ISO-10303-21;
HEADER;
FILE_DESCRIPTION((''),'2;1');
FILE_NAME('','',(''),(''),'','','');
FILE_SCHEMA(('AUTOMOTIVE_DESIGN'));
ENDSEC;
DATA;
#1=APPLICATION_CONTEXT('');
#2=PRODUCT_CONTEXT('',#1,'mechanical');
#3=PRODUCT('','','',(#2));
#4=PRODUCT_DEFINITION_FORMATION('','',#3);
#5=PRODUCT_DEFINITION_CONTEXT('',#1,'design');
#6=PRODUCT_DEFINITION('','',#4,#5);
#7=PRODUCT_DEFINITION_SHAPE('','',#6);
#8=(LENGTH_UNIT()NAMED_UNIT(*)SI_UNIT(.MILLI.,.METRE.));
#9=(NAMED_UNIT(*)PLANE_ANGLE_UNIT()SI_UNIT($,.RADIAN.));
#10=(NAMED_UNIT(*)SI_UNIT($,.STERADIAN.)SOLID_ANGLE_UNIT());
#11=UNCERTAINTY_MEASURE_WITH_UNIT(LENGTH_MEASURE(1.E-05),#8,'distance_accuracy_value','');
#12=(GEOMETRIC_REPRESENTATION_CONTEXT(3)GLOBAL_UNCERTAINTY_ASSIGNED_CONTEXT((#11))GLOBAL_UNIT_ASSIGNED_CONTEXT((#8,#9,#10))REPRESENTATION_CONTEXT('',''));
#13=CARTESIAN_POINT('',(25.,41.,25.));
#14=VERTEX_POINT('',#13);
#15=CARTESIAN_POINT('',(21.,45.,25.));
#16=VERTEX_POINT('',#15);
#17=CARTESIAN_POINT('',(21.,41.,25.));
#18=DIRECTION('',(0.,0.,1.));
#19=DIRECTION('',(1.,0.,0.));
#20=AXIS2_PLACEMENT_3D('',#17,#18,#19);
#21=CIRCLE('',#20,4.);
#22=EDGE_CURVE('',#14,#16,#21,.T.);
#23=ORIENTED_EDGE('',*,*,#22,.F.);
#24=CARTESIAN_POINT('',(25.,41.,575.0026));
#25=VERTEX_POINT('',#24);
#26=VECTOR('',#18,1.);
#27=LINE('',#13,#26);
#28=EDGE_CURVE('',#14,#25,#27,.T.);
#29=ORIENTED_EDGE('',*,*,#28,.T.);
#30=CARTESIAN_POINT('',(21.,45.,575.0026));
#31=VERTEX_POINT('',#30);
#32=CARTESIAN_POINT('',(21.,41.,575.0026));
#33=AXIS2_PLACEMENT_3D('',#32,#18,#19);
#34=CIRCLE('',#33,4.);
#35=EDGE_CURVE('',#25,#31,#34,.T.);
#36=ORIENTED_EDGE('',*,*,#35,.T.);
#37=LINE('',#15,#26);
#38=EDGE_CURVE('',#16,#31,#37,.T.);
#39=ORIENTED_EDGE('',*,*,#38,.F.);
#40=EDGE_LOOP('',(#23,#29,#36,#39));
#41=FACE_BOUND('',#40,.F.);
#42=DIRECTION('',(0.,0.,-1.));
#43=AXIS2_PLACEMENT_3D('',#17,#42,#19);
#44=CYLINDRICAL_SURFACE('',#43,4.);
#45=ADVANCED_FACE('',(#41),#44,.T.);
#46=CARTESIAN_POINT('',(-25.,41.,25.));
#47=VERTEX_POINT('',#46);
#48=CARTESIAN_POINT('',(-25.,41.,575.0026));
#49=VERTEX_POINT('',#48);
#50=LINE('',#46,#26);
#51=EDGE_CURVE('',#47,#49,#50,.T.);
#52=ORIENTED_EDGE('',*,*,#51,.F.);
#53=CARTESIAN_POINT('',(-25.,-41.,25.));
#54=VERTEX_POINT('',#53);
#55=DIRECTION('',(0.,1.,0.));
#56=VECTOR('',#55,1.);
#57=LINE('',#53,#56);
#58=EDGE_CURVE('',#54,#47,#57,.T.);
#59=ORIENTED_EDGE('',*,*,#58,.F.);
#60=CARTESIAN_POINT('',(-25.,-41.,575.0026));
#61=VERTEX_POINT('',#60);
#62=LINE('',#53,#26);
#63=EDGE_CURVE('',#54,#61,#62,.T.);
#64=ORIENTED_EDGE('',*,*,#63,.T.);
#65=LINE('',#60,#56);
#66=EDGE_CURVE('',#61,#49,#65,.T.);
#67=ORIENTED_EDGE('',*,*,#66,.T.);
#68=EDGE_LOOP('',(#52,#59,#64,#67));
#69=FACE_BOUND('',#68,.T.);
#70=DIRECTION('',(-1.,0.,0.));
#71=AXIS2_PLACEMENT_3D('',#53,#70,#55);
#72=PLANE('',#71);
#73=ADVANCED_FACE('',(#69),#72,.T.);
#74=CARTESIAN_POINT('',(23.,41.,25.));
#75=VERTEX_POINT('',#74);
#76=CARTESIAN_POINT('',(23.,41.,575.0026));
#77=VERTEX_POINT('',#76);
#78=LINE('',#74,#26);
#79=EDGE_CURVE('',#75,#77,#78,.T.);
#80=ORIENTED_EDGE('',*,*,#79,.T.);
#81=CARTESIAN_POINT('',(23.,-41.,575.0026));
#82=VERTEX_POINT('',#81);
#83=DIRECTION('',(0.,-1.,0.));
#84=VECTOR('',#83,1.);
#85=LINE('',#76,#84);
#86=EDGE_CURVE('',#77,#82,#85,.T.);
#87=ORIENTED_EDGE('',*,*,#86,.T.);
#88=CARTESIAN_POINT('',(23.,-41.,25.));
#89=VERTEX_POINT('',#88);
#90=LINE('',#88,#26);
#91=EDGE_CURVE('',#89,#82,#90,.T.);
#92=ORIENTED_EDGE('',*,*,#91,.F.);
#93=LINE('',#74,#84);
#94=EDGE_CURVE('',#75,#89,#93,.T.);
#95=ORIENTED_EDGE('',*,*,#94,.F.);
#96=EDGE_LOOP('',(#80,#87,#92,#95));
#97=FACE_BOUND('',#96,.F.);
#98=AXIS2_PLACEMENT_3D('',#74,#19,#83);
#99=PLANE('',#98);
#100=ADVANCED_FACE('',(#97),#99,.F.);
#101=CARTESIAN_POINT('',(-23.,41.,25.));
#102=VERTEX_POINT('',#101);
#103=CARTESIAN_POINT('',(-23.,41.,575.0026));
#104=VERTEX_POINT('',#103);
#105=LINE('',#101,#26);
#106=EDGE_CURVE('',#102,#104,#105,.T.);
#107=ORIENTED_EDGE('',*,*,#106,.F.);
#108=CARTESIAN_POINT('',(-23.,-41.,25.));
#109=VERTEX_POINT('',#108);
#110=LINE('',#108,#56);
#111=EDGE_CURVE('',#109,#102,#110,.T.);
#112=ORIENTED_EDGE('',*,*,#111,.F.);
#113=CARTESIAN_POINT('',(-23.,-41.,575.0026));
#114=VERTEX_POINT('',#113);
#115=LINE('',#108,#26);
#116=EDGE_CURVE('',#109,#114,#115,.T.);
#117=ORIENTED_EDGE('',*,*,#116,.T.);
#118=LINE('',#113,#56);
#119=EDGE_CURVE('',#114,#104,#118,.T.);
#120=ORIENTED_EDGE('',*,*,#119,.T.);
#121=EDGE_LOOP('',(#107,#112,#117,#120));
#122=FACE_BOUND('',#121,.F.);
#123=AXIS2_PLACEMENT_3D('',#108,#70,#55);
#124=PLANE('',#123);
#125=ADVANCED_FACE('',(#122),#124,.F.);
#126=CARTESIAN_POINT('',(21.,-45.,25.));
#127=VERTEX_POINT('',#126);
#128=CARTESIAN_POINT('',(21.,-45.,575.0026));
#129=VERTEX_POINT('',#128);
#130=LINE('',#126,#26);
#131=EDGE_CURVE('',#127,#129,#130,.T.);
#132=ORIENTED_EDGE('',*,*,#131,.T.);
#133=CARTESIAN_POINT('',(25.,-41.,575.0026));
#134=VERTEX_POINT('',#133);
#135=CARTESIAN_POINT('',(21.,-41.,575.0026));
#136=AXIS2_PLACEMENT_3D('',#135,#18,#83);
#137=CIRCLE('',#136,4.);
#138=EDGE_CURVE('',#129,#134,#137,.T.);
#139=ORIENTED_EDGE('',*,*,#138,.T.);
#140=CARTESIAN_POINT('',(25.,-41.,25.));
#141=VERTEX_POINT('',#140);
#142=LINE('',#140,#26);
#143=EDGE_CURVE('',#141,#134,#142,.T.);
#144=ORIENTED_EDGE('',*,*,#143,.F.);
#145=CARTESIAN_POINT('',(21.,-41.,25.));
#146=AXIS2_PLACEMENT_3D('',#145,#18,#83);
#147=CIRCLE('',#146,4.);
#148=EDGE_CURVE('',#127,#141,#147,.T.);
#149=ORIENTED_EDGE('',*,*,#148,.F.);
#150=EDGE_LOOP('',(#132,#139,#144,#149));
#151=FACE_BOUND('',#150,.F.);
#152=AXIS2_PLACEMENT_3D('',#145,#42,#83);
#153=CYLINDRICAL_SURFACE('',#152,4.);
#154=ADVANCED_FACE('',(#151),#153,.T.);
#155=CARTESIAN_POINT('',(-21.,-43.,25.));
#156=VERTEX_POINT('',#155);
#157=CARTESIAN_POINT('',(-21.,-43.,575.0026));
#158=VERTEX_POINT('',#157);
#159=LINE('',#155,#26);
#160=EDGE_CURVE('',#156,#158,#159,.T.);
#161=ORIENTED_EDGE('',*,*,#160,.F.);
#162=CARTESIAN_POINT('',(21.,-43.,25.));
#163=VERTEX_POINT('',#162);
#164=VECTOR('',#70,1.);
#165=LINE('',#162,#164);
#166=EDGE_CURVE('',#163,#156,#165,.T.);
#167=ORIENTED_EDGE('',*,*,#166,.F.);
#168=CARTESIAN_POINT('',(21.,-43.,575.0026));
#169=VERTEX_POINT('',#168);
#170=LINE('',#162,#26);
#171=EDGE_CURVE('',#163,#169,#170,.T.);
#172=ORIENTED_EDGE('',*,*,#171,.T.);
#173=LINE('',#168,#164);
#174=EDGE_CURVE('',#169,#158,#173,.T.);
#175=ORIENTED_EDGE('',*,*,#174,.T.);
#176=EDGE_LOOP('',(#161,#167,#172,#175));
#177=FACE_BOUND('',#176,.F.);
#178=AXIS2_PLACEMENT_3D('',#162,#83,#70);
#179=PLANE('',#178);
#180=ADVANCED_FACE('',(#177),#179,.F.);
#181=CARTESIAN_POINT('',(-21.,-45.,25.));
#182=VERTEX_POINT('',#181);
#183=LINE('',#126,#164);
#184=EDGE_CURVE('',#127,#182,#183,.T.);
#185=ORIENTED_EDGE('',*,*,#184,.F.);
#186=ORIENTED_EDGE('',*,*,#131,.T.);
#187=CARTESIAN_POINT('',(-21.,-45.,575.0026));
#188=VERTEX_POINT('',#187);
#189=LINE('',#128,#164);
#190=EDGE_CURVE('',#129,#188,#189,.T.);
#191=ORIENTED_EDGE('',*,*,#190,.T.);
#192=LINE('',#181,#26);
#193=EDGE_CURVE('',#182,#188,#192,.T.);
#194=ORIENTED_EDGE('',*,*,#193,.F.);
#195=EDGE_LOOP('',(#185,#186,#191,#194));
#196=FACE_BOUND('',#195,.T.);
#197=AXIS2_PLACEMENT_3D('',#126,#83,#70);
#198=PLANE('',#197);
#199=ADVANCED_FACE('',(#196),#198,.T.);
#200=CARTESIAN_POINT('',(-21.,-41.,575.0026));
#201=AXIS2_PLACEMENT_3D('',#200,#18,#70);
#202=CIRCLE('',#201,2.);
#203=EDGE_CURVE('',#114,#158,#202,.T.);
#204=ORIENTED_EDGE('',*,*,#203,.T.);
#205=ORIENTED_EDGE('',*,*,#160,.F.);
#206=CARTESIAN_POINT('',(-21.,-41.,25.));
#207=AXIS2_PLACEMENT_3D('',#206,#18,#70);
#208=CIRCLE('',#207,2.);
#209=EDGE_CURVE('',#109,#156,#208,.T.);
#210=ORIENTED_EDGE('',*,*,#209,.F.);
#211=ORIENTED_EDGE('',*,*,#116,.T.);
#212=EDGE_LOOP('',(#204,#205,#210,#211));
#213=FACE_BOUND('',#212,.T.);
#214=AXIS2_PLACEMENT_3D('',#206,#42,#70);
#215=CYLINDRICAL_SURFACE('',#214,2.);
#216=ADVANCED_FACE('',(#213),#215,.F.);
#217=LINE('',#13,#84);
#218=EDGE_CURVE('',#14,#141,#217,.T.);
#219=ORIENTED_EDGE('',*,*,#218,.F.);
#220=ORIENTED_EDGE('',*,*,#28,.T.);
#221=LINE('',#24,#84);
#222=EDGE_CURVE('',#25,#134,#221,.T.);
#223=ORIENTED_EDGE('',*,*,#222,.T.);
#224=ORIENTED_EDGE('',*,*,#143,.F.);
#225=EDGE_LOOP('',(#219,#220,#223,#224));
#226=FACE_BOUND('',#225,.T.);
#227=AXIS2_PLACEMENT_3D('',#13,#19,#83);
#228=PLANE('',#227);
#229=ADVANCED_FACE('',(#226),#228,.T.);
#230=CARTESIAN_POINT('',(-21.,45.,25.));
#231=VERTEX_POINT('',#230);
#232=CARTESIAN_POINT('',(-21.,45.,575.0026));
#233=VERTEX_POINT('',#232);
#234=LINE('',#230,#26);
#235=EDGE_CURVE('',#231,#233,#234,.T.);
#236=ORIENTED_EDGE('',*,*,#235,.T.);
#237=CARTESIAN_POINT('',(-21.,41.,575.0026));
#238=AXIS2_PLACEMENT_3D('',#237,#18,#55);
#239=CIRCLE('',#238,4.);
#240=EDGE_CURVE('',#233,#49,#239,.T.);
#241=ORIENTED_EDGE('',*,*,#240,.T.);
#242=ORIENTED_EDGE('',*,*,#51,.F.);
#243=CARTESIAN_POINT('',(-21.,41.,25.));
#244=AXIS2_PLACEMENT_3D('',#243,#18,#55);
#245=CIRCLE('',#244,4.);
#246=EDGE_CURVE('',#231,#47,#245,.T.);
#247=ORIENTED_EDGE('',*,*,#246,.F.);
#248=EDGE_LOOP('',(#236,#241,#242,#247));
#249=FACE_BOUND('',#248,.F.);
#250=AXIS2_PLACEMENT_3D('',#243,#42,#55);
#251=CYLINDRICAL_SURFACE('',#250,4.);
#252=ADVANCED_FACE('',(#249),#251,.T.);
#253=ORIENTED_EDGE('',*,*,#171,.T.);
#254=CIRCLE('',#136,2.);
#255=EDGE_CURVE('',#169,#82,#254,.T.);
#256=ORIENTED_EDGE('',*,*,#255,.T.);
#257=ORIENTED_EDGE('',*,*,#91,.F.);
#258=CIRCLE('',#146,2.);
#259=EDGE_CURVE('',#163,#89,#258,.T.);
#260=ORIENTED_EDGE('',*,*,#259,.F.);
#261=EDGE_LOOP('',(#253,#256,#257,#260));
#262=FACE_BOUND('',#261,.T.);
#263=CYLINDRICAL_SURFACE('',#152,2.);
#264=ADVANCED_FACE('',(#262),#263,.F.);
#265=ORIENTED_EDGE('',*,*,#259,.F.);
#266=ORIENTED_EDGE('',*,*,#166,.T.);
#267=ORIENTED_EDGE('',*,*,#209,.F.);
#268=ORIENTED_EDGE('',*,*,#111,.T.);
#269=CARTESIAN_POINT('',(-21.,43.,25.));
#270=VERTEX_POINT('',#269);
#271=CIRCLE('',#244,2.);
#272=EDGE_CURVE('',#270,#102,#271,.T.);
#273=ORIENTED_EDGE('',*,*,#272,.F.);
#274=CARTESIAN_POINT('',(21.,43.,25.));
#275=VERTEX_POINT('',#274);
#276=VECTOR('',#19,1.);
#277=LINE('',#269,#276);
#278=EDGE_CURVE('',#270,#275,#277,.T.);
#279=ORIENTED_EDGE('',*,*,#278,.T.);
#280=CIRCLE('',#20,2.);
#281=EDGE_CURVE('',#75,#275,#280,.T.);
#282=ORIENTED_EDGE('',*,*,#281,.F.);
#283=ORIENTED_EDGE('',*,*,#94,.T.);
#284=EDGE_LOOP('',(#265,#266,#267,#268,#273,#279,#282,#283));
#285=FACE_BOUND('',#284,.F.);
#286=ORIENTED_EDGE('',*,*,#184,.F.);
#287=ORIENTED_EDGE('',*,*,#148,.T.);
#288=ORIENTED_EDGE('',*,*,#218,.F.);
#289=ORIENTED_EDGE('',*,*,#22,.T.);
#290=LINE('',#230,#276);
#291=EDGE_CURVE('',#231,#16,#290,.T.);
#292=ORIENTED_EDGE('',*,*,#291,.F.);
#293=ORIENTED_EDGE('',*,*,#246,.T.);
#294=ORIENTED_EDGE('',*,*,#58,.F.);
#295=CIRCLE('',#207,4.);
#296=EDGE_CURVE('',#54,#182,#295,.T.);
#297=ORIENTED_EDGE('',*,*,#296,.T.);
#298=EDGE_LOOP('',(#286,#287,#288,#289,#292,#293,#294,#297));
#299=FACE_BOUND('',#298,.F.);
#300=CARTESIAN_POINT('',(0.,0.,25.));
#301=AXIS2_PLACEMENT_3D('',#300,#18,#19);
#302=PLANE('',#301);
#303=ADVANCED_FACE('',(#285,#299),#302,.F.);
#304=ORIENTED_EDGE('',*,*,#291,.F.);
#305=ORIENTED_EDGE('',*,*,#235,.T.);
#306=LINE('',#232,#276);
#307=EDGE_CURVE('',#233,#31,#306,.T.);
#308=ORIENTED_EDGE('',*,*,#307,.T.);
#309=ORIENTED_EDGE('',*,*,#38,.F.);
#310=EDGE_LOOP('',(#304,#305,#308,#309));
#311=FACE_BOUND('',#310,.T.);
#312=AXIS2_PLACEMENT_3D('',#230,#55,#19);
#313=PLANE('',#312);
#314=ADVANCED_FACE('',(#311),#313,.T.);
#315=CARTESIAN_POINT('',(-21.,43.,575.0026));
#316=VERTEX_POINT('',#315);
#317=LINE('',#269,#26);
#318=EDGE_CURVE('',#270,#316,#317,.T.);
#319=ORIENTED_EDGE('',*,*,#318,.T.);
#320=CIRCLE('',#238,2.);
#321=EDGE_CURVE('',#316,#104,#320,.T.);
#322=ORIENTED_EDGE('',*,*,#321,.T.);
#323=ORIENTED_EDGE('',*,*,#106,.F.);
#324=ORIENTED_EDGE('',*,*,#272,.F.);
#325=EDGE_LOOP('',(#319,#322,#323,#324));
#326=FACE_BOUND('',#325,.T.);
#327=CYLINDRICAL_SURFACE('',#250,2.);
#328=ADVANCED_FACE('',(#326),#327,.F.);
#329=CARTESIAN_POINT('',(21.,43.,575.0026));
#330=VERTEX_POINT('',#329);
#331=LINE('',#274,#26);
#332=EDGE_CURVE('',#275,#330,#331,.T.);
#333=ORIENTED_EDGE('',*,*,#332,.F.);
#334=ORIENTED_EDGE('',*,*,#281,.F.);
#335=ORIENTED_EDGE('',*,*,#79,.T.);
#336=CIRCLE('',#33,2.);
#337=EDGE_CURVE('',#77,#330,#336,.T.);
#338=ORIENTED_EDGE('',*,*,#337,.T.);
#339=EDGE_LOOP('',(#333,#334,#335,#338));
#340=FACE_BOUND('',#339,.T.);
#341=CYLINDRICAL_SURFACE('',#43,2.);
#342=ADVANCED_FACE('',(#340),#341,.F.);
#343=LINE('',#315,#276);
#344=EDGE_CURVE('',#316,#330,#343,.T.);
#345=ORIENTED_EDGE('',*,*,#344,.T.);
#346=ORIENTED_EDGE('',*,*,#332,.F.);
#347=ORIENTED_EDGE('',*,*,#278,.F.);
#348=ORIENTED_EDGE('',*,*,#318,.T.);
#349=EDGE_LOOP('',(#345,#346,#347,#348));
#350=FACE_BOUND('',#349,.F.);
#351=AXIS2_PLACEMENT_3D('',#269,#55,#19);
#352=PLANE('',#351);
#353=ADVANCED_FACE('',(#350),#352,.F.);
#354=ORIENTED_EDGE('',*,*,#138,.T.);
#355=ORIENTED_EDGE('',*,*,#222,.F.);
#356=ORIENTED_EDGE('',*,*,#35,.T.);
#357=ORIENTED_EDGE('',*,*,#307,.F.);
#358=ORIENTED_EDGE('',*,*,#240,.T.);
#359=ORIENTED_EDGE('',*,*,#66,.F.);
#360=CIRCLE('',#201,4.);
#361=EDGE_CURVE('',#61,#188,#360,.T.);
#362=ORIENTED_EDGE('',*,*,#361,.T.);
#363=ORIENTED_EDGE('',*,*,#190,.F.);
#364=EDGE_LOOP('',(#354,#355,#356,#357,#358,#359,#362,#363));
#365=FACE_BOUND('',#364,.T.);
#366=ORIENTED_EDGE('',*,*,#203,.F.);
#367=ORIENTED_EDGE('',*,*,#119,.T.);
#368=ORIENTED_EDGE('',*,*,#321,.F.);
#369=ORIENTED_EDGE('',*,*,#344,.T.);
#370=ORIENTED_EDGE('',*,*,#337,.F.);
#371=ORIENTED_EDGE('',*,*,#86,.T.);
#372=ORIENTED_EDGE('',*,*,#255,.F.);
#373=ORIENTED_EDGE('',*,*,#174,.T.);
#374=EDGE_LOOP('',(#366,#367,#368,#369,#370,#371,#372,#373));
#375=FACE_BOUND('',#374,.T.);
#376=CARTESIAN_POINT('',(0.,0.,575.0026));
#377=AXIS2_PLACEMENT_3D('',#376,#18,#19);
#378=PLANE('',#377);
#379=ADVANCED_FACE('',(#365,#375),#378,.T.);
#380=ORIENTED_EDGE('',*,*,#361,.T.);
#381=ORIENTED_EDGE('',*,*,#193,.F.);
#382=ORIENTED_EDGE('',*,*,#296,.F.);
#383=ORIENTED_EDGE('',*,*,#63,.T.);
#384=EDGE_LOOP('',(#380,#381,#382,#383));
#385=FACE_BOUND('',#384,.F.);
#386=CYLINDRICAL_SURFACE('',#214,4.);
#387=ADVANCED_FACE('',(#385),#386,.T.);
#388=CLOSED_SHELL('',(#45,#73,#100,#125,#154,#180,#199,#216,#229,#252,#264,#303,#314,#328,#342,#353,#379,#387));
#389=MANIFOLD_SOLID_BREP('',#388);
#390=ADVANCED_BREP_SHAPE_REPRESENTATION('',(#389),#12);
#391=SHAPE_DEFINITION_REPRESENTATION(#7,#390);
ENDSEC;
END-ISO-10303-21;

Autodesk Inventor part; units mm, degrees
ref_plane "Start Plane" through (0, 0, 25) normal (0, 0, 1) x (1, 0, 0)
ref_plane "End Plane" through (0, 0, 575.0026) normal (0, 0, 1) x (1, 0, 0)
sketch "Sketch" plane through (0, 0, 0) normal (0, 0, 1) x (1, 0, 0)
  line L0 (-25, -41) -> (-25, 41)
  line L1 (-21, 45) -> (21, 45)
  line L2 (25, 41) -> (25, -41)
  line L3 (21, -45) -> (-21, -45)
  arc A0 (-25, -41) -> (-21, -45) centre (-21, -41) ccw
  arc A1 (25, 41) -> (21, 45) centre (21, 41) ccw
  arc A2 (-21, 45) -> (-25, 41) centre (-21, 41) ccw
  arc A3 (21, -45) -> (25, -41) centre (21, -41) ccw
  arc A4 (-21, 43) -> (-23, 41) centre (-21, 41) ccw
  line L4 (-21, 43) -> (21, 43)
  arc A5 (23, 41) -> (21, 43) centre (21, 41) ccw
  line L5 (23, 41) -> (23, -41)
  arc A6 (21, -43) -> (23, -41) centre (21, -41) ccw
  line L6 (21, -43) -> (-21, -43)
  arc A7 (-23, -41) -> (-21, -43) centre (-21, -41) ccw
  line L7 (-23, -41) -> (-23, 41)
  line L8 (0, 64.1598) -> (0, -64.1598) construction
  line L9 (-36.1598, 0) -> (36.1598, 0) construction
  dimension "d7" = 4
  dimension "d9" = 50
  dimension "d11" = 90
  dimension "d12" = 2
  dimension "d15" = 25
  dimension "d16" = 45
extrude "Body" add sketch "Sketch" along normal up to surface (550.0026 mm away) from surface at 25
sketch "Sketch3" plane through (0, 0, 0) normal (0, 0, 1) x (1, 0, 0)
  line L0 (0, 0) -> (10, 0)
ref_plane "Work Plane3" through (0, 0, 0) normal (0, -1, 0) x (1, 0, 0)
sketch "Sketch4" plane through (0, 0, 0) normal (0, -1, 0) x (1, 0, 0)
  line L0 (-2, 25) -> (12, 25)
  line L1 (-2, 575.0026) -> (12, 575.0026)
  dimension "d18" = 550.0026
ref_plane "Work Plane4" through (-21, -1155, 575.0026) normal (0, 0, 1) x (1, 0, 0)
split "Split1" plane through (-21, -1155, 575.0026) removes the side toward (0, 0, 1)
ref_plane "Work Plane5" through (-21, 1157.5, 25) normal (0, 0, -1) x (-1, 0, 0)
split "Split2" plane through (-21, 1157.5, 25) removes the side toward (0, 0, -1)
equation "\"d7\" = G_IR"
equation "\"d9\" = G_W"
equation "\"d11\" = G_H"
equation "\"d12\" = G_T"
equation "\"d15\" = 0.5 * d9"
equation "\"d16\" = 0.5 * d11"
equation "\"d3\" = G_L"
equation "\"G_W\" = 50"
equation "\"G_H\" = 90"
equation "\"G_T\" = 2"
equation "\"G_IR\" = 4"
equation "\"G_L\" = d18"
equation "\"G_OFFSET_START\" = -25"
equation "\"G_OFFSET_END\" = -25"
equation "\"d13\" = -G_OFFSET_START"
equation "\"d14\" = G_OFFSET_END + B_L"
equation "\"B_L\" = 600.0026"
properties part number "ISO 10799-2 - 90x50x2 - 550" material "Steel, Mild"
